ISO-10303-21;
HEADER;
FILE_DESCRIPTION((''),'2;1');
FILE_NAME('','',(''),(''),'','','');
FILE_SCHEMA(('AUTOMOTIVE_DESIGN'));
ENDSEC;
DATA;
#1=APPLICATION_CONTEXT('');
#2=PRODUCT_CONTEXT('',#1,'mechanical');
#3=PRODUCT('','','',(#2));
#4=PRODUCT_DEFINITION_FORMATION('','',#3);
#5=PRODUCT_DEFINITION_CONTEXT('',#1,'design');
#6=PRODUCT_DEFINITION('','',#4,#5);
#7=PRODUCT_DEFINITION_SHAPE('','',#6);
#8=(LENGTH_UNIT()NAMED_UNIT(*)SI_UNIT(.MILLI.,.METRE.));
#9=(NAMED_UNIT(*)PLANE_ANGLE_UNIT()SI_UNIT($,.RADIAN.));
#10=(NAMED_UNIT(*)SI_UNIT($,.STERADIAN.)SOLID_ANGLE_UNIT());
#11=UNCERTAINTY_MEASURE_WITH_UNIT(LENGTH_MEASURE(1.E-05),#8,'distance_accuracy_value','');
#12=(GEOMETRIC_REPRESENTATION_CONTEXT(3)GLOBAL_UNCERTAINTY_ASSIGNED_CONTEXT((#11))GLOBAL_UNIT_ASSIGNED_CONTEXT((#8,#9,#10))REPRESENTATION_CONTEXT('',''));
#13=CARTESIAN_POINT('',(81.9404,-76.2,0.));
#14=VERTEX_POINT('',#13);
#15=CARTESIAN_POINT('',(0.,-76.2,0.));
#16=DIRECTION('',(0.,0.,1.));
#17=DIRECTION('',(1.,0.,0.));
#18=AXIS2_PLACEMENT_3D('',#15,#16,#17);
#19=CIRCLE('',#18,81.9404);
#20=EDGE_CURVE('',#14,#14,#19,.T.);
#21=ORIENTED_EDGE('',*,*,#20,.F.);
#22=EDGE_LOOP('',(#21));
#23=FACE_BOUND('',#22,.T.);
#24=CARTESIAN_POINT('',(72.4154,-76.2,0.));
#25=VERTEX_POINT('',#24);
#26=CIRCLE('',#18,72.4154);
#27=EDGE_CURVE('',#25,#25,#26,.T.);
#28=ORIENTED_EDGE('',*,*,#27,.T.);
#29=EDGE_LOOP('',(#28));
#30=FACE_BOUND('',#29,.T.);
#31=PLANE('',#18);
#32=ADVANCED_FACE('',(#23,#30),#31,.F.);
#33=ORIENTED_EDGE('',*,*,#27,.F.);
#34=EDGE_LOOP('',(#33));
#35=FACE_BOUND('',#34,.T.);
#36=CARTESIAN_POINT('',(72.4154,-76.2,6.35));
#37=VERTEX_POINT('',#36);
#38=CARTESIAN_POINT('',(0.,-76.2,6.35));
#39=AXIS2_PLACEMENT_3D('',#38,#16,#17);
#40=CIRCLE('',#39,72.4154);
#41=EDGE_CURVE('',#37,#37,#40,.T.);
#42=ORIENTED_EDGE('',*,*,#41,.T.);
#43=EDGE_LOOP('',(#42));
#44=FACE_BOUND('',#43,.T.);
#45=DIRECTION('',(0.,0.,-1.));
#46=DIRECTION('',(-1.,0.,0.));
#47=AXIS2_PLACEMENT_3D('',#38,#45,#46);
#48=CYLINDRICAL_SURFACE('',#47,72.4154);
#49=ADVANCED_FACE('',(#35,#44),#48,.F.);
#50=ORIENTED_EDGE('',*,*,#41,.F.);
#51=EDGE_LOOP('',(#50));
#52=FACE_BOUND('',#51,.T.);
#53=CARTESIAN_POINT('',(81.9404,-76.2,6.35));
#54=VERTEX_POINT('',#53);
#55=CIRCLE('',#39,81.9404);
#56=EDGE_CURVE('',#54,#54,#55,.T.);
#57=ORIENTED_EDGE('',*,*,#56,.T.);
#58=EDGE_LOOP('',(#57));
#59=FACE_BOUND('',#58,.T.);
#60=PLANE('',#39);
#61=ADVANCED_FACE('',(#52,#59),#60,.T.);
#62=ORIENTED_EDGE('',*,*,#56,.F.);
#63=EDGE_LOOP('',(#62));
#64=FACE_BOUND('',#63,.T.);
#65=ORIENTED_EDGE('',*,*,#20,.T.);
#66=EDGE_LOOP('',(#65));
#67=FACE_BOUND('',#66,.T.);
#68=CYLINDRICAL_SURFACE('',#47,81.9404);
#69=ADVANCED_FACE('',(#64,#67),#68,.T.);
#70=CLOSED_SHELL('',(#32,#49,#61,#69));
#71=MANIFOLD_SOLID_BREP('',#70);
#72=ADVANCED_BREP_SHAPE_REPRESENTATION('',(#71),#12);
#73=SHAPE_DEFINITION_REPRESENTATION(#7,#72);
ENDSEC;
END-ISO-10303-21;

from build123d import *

# Parameters (mm, degrees)
SKETCH1_R           = 81.9404
SKETCH1_R_2         = 72.4154
BOSS_EXTRUDE1_DEPTH = 6.35


with BuildPart() as part:
    # Sketch1 → Boss-Extrude1 (new body)
    with BuildSketch(Plane.XY):
        with Locations((0, -76.2)):
            Circle(SKETCH1_R)
        with Locations((0, -76.2)):
            Circle(SKETCH1_R_2, mode=Mode.SUBTRACT)
    extrude(amount=BOSS_EXTRUDE1_DEPTH)


solid = part.part
